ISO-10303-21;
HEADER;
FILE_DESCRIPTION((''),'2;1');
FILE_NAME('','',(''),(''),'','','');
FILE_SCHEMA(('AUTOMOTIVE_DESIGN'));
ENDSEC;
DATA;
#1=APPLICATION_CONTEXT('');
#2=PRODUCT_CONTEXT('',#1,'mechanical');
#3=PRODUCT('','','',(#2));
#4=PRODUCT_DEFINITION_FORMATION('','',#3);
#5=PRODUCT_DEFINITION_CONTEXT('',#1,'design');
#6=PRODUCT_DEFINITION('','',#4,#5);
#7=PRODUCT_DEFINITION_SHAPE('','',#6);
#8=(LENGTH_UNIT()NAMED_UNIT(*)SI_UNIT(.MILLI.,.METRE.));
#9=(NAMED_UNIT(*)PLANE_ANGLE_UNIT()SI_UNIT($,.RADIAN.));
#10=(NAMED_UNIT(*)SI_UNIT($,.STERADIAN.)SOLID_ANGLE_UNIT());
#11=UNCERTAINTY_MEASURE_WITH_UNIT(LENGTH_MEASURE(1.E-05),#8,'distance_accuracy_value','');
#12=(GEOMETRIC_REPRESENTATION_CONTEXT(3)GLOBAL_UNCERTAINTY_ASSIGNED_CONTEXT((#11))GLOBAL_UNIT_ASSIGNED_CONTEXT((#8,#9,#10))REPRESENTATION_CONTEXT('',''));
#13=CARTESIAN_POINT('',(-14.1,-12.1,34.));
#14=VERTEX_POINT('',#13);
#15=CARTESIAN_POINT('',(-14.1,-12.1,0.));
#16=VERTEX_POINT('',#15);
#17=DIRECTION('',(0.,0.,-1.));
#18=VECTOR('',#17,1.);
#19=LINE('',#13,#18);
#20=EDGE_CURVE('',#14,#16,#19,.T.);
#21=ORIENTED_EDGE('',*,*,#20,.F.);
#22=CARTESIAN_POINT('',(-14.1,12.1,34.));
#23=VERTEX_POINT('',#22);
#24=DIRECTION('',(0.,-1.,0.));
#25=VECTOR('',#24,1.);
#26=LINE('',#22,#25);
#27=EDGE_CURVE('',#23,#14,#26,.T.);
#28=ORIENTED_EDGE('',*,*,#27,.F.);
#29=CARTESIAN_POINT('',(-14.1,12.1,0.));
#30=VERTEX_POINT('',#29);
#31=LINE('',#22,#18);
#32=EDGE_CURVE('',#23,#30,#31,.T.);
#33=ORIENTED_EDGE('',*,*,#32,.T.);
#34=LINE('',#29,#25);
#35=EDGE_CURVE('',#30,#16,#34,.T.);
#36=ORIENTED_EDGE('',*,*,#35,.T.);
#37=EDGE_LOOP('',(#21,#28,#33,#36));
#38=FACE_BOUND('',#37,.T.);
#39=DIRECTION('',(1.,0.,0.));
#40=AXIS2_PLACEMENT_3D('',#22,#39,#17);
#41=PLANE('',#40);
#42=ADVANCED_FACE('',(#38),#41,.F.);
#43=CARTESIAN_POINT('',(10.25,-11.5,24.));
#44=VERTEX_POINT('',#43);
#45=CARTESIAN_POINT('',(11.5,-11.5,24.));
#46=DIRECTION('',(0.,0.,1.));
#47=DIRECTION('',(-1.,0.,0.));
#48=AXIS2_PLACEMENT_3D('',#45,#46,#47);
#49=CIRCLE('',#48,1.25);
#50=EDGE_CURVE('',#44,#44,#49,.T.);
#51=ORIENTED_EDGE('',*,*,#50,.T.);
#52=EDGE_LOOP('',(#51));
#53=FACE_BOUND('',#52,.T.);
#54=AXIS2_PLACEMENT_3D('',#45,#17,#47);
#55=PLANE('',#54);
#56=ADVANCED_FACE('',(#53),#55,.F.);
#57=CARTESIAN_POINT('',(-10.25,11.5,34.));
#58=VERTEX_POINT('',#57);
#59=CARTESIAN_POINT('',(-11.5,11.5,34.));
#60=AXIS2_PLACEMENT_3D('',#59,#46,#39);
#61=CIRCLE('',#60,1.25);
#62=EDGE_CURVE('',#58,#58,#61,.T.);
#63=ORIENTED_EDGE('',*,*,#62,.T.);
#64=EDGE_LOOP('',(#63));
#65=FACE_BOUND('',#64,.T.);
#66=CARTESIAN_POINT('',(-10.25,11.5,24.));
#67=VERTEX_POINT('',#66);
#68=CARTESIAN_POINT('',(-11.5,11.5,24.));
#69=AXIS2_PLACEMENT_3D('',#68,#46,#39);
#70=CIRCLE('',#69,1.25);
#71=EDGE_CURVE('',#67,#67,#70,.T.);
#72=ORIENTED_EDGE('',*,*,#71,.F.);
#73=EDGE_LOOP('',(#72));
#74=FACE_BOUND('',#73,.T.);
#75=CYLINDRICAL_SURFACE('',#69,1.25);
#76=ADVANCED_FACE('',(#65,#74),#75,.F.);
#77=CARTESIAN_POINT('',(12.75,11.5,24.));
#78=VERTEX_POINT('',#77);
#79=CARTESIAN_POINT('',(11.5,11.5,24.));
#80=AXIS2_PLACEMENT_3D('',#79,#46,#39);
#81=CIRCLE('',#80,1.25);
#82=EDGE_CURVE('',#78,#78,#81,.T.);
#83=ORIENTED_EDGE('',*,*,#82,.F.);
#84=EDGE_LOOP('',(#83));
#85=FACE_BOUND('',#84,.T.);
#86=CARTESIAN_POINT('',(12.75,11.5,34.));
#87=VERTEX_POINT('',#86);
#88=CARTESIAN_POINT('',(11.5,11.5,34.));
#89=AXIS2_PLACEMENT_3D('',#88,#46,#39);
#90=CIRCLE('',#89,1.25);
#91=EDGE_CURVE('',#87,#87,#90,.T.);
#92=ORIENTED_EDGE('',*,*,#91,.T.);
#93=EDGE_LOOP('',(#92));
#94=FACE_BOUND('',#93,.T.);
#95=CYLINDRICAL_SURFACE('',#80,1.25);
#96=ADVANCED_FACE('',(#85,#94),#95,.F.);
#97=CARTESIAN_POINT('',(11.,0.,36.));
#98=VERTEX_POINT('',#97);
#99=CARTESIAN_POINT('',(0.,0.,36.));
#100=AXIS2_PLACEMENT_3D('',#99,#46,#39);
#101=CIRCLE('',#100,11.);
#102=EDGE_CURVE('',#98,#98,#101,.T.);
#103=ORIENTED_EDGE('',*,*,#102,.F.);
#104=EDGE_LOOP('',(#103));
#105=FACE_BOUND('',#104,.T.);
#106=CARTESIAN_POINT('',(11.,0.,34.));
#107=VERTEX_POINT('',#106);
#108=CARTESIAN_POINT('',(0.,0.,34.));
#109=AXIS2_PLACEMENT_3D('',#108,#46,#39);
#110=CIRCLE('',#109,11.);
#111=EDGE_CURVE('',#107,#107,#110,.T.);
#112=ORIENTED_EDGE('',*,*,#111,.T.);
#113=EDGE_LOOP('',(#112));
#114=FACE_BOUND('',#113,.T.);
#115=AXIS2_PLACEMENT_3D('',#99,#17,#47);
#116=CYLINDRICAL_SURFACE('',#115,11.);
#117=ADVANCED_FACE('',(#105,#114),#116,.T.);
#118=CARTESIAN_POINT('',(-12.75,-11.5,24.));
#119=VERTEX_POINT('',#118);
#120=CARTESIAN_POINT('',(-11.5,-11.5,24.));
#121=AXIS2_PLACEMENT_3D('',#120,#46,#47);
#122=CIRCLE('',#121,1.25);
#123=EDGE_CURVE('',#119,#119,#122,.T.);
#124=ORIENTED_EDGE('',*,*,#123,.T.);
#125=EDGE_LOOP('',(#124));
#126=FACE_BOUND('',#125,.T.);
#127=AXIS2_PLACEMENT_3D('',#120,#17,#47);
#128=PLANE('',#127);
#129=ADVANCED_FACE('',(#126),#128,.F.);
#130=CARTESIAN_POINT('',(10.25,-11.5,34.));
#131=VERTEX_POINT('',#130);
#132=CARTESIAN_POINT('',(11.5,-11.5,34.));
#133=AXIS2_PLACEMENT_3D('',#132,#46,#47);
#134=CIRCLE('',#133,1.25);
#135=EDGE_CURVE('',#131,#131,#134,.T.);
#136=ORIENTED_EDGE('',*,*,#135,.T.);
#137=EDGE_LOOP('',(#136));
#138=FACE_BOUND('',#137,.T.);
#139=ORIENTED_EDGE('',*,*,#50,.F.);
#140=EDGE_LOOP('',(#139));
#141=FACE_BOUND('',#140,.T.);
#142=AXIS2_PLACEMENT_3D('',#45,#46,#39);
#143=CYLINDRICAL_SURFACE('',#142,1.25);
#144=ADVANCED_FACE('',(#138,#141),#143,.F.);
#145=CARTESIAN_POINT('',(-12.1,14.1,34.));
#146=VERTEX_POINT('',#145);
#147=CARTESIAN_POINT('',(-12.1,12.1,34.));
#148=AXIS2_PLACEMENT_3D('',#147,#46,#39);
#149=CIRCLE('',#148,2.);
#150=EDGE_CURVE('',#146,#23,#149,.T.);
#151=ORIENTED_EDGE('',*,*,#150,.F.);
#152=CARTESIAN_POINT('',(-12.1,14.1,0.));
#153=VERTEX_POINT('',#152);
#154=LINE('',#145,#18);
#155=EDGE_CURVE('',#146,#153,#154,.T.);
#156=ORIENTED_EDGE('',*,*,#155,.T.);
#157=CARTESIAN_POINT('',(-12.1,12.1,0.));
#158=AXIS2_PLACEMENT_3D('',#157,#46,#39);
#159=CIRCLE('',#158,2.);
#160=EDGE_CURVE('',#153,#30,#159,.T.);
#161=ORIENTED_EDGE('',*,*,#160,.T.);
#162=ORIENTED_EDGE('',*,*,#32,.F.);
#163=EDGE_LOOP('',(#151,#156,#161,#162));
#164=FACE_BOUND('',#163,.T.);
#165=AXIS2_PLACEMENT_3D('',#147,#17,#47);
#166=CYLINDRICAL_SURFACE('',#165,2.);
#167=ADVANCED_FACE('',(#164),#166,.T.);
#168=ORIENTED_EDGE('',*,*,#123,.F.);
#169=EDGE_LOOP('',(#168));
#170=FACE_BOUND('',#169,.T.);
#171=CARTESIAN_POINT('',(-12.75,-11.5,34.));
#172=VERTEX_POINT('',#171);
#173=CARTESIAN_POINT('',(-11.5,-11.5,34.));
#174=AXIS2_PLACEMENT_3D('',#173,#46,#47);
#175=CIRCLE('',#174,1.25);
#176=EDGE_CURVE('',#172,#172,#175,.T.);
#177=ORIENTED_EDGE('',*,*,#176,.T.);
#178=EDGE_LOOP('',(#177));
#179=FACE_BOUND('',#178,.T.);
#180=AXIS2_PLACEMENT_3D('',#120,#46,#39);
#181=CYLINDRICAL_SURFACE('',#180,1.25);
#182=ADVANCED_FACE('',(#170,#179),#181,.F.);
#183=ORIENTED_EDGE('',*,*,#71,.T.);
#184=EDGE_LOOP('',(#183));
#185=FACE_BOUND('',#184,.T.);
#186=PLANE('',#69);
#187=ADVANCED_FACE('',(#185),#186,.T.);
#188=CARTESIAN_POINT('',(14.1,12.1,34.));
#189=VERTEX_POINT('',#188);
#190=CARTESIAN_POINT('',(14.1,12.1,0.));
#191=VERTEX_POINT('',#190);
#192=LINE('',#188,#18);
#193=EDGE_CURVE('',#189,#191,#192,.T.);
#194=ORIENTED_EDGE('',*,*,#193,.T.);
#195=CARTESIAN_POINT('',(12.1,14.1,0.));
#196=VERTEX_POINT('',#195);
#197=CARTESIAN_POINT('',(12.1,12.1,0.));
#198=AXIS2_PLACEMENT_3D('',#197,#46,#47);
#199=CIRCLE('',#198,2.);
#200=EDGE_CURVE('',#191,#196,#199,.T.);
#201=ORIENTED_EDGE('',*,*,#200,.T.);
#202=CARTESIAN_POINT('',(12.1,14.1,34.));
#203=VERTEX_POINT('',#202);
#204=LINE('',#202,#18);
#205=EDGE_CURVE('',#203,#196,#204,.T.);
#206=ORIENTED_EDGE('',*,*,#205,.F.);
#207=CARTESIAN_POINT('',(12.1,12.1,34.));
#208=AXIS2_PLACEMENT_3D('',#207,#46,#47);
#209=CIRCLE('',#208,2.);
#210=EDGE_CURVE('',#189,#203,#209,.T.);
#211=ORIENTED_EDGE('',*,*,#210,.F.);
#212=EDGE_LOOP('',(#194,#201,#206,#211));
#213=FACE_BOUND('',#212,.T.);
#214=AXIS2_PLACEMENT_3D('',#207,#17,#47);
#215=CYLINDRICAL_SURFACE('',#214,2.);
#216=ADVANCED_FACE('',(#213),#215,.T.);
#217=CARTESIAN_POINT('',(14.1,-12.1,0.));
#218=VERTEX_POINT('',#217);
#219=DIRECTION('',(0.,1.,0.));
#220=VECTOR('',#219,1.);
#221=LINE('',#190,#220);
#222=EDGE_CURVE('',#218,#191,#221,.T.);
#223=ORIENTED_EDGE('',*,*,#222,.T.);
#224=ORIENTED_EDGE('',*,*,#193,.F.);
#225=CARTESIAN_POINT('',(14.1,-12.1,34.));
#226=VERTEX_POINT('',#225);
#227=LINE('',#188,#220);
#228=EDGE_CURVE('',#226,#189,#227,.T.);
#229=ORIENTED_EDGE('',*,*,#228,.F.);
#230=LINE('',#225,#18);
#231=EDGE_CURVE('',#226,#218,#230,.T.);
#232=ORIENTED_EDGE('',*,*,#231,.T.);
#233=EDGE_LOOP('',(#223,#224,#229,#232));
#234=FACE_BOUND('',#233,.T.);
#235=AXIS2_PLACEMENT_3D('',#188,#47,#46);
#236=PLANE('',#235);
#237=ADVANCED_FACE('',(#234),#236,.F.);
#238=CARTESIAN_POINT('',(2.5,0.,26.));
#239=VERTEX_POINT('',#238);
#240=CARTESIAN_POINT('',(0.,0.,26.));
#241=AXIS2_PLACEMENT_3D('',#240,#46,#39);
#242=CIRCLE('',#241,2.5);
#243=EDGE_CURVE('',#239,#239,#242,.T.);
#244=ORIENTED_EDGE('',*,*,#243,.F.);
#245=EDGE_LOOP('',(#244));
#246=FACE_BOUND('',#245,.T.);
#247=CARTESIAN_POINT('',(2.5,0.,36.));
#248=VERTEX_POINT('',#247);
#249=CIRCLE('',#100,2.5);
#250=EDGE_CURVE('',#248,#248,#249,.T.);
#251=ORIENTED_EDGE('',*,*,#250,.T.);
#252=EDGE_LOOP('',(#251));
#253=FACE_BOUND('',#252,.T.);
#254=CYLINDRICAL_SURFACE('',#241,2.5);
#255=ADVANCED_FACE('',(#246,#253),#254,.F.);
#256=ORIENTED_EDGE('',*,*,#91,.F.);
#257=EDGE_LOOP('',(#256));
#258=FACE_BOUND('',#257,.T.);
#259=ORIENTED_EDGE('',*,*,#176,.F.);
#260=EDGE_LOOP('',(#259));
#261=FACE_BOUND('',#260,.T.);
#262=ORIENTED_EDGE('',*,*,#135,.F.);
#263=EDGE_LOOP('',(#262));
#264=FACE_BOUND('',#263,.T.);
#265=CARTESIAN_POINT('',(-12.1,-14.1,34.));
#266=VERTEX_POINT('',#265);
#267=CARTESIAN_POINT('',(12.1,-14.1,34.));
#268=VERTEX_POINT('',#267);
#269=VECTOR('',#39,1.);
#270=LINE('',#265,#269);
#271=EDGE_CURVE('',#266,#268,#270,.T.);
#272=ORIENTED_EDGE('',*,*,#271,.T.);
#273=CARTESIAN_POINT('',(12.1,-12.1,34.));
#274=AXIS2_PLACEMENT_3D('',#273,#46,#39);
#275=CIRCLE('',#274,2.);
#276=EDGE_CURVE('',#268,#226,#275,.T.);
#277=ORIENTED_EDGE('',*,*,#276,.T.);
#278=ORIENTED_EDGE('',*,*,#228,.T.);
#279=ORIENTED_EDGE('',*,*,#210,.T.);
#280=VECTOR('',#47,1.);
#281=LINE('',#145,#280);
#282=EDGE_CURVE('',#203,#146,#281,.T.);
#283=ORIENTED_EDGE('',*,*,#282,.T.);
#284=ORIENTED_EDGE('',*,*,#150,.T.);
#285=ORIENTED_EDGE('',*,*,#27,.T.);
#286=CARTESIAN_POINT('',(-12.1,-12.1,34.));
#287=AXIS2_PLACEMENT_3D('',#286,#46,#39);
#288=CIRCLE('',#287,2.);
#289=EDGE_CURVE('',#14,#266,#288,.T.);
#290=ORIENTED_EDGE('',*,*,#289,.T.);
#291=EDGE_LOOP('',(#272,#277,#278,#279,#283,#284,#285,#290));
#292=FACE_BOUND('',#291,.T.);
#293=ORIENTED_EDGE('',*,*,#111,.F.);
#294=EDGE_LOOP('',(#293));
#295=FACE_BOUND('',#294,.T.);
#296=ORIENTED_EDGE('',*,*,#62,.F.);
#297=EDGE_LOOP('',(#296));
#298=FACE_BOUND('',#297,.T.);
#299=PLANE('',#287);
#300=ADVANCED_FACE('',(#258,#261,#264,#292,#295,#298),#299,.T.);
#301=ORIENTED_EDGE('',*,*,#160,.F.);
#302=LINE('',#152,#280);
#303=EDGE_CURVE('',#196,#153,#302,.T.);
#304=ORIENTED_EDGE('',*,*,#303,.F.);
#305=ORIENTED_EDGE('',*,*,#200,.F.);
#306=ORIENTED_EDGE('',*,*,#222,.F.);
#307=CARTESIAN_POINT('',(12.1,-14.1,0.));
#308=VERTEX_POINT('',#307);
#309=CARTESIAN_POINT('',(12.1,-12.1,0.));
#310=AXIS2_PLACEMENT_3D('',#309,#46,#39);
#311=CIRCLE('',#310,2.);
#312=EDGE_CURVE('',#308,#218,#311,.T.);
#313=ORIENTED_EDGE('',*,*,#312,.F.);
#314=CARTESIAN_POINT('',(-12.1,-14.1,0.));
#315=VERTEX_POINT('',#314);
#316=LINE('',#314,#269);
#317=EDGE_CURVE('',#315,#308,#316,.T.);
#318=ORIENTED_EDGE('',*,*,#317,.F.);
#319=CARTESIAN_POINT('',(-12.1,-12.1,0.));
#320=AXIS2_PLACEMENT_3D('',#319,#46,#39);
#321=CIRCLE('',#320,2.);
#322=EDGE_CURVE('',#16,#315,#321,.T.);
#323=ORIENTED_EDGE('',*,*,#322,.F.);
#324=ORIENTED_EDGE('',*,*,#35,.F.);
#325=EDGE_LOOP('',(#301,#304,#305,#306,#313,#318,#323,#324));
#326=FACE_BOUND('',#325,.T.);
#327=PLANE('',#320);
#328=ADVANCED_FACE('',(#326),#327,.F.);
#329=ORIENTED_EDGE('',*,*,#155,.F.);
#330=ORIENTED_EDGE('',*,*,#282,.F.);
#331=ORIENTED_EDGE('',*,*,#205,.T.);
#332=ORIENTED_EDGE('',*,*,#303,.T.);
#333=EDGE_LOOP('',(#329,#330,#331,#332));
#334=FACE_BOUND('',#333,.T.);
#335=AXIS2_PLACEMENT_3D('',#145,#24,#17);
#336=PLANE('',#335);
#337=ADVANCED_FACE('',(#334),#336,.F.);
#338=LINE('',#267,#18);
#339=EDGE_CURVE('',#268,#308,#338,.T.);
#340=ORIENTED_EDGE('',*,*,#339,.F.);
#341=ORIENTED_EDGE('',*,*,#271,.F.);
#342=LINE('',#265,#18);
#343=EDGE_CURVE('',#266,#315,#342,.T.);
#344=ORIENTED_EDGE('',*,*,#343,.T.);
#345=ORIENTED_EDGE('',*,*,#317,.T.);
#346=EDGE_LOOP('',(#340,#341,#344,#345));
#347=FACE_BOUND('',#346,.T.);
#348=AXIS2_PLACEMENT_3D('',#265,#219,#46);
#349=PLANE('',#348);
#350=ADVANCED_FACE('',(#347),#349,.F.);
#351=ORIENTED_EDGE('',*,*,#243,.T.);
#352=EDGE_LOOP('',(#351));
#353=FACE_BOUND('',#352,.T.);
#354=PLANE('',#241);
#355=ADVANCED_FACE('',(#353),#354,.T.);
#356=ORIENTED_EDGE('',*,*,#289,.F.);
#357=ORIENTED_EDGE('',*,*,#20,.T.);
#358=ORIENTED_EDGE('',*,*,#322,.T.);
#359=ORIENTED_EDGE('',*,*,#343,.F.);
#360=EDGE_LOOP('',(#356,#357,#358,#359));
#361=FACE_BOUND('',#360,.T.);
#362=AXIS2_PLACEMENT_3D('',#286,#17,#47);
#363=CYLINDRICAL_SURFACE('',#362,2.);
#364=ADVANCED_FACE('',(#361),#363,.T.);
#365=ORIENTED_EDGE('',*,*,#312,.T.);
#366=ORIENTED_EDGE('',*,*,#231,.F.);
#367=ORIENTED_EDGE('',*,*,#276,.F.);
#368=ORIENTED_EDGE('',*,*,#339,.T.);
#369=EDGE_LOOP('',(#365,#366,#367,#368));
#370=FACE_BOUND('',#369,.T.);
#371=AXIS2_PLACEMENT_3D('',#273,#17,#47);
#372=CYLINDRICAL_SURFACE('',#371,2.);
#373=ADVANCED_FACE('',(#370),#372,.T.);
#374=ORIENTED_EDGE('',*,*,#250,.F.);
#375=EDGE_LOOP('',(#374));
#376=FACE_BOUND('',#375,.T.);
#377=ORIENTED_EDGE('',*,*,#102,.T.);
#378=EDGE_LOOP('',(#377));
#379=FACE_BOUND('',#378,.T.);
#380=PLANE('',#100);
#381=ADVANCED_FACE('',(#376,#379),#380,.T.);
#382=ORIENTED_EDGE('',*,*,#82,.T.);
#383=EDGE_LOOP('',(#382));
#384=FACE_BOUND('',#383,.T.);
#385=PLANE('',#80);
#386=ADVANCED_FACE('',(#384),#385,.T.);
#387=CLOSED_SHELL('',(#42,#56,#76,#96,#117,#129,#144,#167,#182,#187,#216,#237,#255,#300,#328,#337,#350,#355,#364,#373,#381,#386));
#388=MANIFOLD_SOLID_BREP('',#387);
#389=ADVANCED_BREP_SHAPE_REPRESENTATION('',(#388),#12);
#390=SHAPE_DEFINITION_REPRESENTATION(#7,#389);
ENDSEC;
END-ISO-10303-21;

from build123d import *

# Parameters (mm, degrees)
BOSS_EXTRUDE1_DEPTH = 34
SKETCH2_R           = 11
BOSS_EXTRUDE2_DEPTH = 2
SKETCH3_R           = 2.5
CUT_EXTRUDE1_DEPTH  = 10
SKETCH4_R           = 1.25
CUT_EXTRUDE2_DEPTH  = 10


with BuildPart() as part:
    # Sketch1 → Boss-Extrude1 (new body)
    with BuildSketch(Plane.XY):
        with BuildLine():
            Line((-12.1, 14.1), (12.1, 14.1))
            ThreePointArc((12.1, 14.1), (13.514213562, 13.514213562), (14.1, 12.1))
            Line((14.1, 12.1), (14.1, -12.1))
            ThreePointArc((14.1, -12.1), (13.514213562, -13.514213562), (12.1, -14.1))
            Line((12.1, -14.1), (-12.1, -14.1))
            ThreePointArc((-12.1, -14.1), (-13.514213562, -13.514213562), (-14.1, -12.1))
            Line((-14.1, -12.1), (-14.1, 12.1))
            ThreePointArc((-14.1, 12.1), (-13.514213562, 13.514213562), (-12.1, 14.1))
        make_face()
    extrude(amount=BOSS_EXTRUDE1_DEPTH)

    # Sketch2 → Boss-Extrude2 (add)
    with BuildSketch(Plane.XY.offset(34)):
        Circle(SKETCH2_R)
    extrude(amount=BOSS_EXTRUDE2_DEPTH)

    # Sketch3 → Cut-Extrude1 (cut)
    with BuildSketch(Plane.XY.offset(36)):
        Circle(SKETCH3_R)
    extrude(amount=-CUT_EXTRUDE1_DEPTH, mode=Mode.SUBTRACT)

    # Sketch4 → Cut-Extrude2 (cut)
    with BuildSketch(Plane.XY.offset(34)):
        with Locations((-11.5, 11.5)):
            Circle(SKETCH4_R)
        with Locations((11.5, 11.5)):
            Circle(SKETCH4_R)
        with Locations(Location((11.5, -11.5, 0), (0, 0, 180))):
            Circle(SKETCH4_R)
        with Locations(Location((-11.5, -11.5, 0), (0, 0, 180))):
            Circle(SKETCH4_R)
    extrude(amount=-CUT_EXTRUDE2_DEPTH, mode=Mode.SUBTRACT)


solid = part.part
